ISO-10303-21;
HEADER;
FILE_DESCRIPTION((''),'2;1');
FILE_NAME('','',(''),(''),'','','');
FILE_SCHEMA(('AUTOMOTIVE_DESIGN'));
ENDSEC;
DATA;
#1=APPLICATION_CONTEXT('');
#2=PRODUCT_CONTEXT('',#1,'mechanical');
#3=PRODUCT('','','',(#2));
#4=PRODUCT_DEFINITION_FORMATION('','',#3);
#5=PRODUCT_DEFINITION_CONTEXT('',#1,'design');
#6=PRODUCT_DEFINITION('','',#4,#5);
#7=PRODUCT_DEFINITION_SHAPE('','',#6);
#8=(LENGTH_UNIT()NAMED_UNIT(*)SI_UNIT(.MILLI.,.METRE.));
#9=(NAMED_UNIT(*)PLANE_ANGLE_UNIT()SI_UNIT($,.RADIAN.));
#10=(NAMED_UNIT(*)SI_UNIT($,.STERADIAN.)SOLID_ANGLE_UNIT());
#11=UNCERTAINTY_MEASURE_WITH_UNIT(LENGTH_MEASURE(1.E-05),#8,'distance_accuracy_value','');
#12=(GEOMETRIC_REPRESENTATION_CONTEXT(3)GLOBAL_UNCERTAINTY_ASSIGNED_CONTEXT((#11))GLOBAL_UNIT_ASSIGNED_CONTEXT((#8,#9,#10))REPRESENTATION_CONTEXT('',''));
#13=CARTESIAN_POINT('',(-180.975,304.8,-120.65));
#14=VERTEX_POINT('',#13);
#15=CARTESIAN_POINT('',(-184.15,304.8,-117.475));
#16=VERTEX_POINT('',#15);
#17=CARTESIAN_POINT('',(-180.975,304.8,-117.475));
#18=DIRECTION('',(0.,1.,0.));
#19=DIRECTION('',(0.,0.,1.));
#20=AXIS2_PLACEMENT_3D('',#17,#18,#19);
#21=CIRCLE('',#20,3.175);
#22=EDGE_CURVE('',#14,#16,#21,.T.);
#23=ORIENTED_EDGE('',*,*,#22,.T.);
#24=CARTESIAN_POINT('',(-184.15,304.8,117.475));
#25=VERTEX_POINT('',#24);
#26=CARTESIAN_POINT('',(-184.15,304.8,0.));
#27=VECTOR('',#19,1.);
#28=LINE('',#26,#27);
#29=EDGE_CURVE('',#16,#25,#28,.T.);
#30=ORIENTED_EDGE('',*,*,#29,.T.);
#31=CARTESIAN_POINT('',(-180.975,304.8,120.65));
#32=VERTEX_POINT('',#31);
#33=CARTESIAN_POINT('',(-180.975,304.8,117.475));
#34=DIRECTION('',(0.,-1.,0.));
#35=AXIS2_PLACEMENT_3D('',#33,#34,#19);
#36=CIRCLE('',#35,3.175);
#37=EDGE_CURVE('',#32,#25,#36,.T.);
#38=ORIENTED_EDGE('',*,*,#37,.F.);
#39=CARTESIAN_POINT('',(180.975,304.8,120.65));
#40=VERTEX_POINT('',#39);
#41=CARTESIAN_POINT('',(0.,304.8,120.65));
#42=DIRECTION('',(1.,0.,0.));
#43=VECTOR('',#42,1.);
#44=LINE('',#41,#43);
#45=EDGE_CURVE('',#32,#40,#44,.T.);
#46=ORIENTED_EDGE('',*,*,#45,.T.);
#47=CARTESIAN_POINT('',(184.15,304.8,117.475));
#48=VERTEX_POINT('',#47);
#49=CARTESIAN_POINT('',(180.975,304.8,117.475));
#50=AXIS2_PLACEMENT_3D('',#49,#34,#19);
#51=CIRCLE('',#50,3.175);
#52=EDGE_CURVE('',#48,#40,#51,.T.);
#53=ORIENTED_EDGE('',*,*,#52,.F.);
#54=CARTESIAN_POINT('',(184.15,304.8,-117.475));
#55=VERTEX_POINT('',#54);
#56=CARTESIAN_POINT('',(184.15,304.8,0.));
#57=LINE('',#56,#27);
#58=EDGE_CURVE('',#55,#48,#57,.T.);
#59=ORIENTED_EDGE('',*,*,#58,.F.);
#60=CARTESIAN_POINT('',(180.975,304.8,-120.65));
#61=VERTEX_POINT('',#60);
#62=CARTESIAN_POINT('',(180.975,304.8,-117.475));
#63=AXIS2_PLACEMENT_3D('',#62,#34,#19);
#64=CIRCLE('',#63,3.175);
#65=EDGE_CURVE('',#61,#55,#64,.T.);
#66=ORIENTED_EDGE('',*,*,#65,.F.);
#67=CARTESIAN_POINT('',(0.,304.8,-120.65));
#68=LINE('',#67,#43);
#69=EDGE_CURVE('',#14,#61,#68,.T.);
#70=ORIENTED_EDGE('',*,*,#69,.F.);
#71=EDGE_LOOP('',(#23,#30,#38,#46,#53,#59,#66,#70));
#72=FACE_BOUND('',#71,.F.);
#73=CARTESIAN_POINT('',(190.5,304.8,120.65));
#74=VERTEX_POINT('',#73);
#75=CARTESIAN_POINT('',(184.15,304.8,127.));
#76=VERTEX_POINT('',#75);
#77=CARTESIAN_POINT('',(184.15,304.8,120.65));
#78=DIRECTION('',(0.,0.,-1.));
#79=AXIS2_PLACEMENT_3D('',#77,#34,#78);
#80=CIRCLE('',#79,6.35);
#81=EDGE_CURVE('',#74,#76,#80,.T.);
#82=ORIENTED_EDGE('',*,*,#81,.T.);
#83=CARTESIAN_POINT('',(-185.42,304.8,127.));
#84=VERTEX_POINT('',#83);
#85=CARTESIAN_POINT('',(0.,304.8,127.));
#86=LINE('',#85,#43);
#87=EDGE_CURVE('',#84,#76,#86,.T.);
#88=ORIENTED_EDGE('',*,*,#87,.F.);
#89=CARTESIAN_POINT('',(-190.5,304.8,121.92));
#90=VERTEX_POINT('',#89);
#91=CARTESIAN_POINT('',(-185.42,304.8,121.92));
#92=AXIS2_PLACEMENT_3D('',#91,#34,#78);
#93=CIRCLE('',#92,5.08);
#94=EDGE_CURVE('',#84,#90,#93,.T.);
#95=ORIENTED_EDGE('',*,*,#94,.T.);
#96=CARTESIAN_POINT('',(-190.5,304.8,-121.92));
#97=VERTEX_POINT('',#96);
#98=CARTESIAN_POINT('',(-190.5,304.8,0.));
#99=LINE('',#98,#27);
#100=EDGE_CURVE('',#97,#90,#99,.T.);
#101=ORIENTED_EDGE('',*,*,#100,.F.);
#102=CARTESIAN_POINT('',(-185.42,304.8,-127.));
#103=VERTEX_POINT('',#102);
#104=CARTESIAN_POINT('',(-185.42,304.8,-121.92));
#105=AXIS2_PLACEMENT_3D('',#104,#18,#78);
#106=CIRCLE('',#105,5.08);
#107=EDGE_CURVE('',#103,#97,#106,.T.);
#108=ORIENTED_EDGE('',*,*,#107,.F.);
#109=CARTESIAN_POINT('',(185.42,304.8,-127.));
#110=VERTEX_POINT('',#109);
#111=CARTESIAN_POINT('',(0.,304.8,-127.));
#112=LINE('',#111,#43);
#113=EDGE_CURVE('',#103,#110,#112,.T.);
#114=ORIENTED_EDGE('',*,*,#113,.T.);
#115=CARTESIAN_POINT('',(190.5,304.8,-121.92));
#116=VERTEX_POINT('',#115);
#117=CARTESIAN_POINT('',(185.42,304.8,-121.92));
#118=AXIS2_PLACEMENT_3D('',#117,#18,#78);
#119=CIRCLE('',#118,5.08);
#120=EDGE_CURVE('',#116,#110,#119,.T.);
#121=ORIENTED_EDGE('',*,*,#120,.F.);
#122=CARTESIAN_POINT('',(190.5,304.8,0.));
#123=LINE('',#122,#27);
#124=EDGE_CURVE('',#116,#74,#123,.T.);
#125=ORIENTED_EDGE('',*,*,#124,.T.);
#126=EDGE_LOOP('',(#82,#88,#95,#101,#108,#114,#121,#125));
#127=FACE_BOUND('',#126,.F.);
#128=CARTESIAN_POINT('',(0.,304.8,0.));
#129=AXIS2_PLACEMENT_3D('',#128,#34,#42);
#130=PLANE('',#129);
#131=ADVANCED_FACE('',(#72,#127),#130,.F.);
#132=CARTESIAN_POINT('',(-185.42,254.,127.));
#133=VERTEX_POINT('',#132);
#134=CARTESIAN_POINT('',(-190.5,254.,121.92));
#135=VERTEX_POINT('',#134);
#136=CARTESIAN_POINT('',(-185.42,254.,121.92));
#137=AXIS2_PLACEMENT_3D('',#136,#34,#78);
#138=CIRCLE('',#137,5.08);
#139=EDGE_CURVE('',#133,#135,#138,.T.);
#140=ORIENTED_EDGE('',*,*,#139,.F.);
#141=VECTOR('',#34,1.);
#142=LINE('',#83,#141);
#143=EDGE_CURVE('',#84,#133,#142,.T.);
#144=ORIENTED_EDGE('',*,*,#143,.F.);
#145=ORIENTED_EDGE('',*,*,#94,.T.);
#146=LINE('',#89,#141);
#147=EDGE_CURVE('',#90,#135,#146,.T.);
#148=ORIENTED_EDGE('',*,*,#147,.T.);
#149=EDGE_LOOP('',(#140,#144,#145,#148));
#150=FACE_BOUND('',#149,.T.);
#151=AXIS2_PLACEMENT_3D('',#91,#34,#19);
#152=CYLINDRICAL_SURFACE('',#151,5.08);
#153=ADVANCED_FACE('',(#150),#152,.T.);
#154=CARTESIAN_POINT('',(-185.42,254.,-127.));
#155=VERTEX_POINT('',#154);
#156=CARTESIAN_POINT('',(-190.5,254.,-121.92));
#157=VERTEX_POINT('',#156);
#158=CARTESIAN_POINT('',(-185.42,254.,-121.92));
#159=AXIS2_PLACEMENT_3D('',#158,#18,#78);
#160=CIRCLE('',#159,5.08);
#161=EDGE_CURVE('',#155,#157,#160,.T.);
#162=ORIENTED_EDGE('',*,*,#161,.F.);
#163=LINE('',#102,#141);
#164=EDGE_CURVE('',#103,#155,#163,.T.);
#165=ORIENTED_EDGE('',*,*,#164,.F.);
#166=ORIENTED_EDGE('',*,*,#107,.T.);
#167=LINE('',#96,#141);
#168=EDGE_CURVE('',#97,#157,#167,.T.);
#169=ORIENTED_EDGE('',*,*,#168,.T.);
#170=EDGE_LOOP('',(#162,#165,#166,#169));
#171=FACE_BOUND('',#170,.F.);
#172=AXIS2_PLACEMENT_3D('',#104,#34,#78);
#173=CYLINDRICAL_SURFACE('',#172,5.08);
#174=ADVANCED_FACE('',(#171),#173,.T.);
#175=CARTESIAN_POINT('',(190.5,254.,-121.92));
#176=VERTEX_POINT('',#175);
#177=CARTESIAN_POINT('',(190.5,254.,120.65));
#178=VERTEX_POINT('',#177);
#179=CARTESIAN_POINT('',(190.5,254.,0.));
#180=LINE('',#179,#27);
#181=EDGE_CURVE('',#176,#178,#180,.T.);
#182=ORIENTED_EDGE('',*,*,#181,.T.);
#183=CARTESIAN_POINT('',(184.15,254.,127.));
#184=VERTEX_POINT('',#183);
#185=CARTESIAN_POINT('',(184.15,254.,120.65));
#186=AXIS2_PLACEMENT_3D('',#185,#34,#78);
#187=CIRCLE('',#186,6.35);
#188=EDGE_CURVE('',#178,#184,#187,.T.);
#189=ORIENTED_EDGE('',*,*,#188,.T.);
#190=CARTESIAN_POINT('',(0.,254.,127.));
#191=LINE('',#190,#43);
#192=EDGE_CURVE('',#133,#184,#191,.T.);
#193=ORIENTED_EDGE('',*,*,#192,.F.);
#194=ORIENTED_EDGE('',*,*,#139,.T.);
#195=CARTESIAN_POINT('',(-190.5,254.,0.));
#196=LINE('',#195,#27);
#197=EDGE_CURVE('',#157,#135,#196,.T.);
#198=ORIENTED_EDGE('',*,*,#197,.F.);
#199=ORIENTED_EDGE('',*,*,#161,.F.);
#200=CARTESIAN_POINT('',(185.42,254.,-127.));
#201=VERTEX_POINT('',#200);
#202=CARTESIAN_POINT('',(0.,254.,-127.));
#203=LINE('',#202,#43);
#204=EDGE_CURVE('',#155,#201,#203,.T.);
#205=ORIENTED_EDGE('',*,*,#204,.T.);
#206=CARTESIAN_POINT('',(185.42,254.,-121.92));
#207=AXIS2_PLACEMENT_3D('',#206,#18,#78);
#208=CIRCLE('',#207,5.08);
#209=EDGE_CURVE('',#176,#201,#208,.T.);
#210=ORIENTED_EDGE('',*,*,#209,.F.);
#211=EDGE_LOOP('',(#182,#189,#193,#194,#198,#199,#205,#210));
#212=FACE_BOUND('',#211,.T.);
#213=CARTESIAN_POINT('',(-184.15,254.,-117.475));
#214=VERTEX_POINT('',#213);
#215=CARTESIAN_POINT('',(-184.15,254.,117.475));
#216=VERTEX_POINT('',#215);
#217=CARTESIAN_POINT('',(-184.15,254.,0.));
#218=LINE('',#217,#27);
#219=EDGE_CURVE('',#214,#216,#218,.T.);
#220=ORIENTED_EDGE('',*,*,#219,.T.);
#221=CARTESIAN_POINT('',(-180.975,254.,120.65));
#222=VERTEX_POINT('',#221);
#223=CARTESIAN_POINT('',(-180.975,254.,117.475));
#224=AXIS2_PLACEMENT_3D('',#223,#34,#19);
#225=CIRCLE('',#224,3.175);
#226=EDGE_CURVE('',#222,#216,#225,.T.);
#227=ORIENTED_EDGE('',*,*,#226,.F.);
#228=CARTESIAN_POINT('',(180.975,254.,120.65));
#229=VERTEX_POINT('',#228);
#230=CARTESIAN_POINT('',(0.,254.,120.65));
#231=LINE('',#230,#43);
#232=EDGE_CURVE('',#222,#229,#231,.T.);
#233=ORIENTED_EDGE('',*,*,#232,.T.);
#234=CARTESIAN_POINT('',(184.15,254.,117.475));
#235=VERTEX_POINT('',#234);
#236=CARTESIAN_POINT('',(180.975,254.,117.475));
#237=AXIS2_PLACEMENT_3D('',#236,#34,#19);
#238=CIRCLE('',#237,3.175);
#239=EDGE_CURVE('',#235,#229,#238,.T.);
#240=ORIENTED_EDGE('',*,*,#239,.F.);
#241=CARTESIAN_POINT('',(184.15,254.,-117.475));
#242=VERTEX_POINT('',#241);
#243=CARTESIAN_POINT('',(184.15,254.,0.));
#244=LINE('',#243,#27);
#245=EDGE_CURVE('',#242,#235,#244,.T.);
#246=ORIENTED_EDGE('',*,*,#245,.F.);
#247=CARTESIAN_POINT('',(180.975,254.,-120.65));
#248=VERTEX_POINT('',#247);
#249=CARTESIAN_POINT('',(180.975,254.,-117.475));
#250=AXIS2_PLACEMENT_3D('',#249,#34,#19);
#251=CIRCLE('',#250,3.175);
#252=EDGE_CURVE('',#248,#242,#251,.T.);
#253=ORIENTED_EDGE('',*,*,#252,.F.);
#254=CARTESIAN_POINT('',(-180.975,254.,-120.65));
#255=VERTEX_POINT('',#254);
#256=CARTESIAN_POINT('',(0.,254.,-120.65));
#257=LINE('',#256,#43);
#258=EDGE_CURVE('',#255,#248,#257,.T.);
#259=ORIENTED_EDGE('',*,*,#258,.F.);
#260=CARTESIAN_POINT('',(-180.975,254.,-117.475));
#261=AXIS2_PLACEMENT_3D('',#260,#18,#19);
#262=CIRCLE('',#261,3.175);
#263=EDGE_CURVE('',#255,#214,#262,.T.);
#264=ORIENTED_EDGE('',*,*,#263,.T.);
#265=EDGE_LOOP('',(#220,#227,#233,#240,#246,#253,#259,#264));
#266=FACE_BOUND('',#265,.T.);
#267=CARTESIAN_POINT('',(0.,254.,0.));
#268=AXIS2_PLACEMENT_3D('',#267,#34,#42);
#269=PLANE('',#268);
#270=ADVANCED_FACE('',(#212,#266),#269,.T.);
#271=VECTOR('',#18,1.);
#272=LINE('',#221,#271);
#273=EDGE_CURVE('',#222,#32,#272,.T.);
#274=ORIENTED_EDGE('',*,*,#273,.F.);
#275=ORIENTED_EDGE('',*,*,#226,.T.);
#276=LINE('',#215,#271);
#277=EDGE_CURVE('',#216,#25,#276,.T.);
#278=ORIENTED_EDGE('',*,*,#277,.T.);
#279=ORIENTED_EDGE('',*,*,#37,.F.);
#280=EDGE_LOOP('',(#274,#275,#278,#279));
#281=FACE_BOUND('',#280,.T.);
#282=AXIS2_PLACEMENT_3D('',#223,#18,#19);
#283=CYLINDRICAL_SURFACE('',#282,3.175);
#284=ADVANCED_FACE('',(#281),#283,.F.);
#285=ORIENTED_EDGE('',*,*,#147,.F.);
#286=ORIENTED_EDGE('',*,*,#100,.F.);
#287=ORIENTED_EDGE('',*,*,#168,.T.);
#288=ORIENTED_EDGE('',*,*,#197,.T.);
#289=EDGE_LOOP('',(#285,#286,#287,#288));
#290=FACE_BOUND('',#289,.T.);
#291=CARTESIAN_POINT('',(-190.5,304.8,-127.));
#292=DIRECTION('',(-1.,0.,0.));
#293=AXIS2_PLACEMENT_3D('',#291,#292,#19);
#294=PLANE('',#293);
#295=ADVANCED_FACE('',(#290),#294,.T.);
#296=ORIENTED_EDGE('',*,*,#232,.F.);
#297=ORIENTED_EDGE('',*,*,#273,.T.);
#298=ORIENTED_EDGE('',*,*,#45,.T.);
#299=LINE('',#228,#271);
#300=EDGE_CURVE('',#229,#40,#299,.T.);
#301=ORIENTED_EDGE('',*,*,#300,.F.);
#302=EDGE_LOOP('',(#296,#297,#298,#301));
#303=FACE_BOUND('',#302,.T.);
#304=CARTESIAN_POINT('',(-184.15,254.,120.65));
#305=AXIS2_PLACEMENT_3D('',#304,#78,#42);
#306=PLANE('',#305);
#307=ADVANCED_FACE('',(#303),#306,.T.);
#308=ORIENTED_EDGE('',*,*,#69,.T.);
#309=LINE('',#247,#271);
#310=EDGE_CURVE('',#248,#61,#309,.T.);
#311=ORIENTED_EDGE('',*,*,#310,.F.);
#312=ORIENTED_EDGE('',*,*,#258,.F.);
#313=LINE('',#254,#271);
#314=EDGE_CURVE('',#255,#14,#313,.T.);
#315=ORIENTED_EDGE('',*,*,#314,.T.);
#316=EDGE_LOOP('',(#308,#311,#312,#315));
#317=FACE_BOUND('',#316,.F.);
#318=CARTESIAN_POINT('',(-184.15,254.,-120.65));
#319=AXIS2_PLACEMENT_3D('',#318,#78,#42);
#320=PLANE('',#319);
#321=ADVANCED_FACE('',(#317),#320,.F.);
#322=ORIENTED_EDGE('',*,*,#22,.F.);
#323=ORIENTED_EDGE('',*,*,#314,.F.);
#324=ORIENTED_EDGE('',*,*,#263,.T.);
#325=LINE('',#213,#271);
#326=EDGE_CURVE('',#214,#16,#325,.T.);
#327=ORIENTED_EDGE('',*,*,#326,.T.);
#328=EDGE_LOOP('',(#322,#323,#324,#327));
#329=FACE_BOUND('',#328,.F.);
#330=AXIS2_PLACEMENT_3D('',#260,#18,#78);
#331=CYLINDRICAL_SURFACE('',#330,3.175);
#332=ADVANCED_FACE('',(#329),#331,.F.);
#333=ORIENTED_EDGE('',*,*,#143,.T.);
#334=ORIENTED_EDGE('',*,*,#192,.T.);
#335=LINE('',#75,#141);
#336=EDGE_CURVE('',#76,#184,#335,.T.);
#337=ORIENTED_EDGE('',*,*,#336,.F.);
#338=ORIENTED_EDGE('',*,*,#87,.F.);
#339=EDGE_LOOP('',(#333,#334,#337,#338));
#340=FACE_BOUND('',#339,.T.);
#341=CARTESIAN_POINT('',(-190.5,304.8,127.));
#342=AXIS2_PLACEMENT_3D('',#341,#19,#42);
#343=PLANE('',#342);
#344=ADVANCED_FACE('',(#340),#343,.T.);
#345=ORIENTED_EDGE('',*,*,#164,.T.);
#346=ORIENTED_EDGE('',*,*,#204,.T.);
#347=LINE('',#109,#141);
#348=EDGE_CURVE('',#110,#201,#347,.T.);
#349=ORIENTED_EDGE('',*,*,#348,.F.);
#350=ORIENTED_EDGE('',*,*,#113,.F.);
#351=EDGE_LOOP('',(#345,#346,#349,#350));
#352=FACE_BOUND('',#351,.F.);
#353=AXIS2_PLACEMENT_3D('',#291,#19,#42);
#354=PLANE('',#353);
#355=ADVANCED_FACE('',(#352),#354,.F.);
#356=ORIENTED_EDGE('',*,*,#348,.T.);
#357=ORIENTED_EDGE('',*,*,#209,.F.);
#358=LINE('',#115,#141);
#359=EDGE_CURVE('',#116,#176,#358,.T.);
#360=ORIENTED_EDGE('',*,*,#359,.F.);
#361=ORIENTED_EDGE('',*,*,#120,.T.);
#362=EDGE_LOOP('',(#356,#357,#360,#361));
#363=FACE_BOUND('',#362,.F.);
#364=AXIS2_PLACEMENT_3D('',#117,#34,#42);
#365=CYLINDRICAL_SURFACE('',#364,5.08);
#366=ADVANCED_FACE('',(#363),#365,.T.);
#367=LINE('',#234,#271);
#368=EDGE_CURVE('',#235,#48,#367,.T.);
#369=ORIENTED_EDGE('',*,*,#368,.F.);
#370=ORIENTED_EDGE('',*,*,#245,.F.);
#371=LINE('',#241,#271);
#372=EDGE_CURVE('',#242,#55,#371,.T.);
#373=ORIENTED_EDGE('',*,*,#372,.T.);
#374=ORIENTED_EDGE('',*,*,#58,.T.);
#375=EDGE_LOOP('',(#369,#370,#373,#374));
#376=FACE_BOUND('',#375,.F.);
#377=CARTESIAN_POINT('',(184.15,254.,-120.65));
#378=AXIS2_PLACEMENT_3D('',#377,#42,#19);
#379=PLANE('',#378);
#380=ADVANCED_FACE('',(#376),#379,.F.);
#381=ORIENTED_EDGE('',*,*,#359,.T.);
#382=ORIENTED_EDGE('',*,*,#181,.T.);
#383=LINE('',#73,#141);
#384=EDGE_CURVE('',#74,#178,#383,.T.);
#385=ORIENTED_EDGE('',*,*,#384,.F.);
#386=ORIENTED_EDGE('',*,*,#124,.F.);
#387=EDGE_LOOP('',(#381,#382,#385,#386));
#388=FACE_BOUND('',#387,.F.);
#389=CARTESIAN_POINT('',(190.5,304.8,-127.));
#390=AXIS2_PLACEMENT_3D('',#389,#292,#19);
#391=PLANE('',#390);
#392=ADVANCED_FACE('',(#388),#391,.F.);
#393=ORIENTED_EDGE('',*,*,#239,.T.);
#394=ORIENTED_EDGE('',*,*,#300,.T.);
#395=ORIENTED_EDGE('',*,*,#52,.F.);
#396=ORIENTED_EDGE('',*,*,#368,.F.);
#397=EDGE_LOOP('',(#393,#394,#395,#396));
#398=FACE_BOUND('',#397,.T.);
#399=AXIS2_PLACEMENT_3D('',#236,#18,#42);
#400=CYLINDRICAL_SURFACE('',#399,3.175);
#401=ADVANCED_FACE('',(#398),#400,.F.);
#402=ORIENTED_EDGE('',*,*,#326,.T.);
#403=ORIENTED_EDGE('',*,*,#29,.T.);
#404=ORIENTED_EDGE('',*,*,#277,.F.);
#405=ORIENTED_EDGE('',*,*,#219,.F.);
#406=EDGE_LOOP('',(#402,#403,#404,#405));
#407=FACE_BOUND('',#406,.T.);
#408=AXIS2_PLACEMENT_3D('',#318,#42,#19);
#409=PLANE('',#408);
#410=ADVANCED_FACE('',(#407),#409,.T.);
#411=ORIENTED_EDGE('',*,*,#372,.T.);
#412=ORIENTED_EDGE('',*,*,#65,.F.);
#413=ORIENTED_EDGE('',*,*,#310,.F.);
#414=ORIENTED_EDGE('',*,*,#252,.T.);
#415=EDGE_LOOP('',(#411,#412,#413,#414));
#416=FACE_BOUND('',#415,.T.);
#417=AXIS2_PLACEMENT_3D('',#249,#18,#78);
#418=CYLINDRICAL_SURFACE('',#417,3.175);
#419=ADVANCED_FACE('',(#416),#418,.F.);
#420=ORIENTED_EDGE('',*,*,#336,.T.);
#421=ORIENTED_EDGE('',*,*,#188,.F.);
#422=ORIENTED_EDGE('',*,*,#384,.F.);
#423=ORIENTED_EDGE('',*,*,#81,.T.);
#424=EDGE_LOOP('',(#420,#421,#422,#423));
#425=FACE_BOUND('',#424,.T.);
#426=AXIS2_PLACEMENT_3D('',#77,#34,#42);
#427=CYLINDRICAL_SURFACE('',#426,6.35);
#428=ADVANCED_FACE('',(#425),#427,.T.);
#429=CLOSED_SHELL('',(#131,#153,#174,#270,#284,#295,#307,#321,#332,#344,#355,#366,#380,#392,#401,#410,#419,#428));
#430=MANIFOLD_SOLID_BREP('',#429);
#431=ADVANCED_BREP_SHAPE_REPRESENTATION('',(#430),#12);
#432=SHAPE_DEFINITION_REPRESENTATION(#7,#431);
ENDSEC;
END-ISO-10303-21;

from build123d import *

# Parameters (mm, degrees)
F0_W     = 381
F0_H     = 254
F1_DEPTH = 50.8
F2_R     = 6.35
F3_R     = 5.08
F5_W     = 368.3
F5_H     = 241.3
F6_DEPTH = 50.8
F7_R     = 3.175


with BuildPart() as f1:
    # F0 (on Front) → F1 (new body)
    with BuildSketch(Plane.XZ):
        Rectangle(F0_W, F0_H)
    extrude(amount=F1_DEPTH)

    # F2
    f2_edges = [f1.edges().sort_by_distance(p)[0] for p in [
        (190.5, -25.4, 127),
    ]]
    fillet(f2_edges, radius=F2_R)

    # F3
    f3_edges = [f1.edges().sort_by_distance(p)[0] for p in [
        (190.5, -25.4, -127),
        (-190.5, -25.4, 127),
        (-190.5, -25.4, -127),
    ]]
    fillet(f3_edges, radius=F3_R)


with BuildPart() as f1_1:
    # F4: moved
    add(f1.part.moved(Location((0, 50.8, 0))))

    # F5 (on Front) → F6 (cut)
    with BuildSketch(Plane.XZ):
        Rectangle(F5_W, F5_H)
    extrude(amount=-F6_DEPTH, mode=Mode.SUBTRACT)

    # F7
    f7_edges = [f1_1.edges().sort_by_distance(p)[0] for p in [
        (-184.15, 25.4, -120.65),
        (-184.15, 25.4, 120.65),
        (184.15, 25.4, -120.65),
        (184.15, 25.4, 120.65),
    ]]
    fillet(f7_edges, radius=F7_R)


with BuildPart() as f1_2:
    # F8: moved
    add(f1_1.part.moved(Location((0, 50.8, 0))))


with BuildPart() as f1_3:
    # F9: moved
    add(f1_2.part.moved(Location((0, 203.2, 0))))


solid = f1_3.part
